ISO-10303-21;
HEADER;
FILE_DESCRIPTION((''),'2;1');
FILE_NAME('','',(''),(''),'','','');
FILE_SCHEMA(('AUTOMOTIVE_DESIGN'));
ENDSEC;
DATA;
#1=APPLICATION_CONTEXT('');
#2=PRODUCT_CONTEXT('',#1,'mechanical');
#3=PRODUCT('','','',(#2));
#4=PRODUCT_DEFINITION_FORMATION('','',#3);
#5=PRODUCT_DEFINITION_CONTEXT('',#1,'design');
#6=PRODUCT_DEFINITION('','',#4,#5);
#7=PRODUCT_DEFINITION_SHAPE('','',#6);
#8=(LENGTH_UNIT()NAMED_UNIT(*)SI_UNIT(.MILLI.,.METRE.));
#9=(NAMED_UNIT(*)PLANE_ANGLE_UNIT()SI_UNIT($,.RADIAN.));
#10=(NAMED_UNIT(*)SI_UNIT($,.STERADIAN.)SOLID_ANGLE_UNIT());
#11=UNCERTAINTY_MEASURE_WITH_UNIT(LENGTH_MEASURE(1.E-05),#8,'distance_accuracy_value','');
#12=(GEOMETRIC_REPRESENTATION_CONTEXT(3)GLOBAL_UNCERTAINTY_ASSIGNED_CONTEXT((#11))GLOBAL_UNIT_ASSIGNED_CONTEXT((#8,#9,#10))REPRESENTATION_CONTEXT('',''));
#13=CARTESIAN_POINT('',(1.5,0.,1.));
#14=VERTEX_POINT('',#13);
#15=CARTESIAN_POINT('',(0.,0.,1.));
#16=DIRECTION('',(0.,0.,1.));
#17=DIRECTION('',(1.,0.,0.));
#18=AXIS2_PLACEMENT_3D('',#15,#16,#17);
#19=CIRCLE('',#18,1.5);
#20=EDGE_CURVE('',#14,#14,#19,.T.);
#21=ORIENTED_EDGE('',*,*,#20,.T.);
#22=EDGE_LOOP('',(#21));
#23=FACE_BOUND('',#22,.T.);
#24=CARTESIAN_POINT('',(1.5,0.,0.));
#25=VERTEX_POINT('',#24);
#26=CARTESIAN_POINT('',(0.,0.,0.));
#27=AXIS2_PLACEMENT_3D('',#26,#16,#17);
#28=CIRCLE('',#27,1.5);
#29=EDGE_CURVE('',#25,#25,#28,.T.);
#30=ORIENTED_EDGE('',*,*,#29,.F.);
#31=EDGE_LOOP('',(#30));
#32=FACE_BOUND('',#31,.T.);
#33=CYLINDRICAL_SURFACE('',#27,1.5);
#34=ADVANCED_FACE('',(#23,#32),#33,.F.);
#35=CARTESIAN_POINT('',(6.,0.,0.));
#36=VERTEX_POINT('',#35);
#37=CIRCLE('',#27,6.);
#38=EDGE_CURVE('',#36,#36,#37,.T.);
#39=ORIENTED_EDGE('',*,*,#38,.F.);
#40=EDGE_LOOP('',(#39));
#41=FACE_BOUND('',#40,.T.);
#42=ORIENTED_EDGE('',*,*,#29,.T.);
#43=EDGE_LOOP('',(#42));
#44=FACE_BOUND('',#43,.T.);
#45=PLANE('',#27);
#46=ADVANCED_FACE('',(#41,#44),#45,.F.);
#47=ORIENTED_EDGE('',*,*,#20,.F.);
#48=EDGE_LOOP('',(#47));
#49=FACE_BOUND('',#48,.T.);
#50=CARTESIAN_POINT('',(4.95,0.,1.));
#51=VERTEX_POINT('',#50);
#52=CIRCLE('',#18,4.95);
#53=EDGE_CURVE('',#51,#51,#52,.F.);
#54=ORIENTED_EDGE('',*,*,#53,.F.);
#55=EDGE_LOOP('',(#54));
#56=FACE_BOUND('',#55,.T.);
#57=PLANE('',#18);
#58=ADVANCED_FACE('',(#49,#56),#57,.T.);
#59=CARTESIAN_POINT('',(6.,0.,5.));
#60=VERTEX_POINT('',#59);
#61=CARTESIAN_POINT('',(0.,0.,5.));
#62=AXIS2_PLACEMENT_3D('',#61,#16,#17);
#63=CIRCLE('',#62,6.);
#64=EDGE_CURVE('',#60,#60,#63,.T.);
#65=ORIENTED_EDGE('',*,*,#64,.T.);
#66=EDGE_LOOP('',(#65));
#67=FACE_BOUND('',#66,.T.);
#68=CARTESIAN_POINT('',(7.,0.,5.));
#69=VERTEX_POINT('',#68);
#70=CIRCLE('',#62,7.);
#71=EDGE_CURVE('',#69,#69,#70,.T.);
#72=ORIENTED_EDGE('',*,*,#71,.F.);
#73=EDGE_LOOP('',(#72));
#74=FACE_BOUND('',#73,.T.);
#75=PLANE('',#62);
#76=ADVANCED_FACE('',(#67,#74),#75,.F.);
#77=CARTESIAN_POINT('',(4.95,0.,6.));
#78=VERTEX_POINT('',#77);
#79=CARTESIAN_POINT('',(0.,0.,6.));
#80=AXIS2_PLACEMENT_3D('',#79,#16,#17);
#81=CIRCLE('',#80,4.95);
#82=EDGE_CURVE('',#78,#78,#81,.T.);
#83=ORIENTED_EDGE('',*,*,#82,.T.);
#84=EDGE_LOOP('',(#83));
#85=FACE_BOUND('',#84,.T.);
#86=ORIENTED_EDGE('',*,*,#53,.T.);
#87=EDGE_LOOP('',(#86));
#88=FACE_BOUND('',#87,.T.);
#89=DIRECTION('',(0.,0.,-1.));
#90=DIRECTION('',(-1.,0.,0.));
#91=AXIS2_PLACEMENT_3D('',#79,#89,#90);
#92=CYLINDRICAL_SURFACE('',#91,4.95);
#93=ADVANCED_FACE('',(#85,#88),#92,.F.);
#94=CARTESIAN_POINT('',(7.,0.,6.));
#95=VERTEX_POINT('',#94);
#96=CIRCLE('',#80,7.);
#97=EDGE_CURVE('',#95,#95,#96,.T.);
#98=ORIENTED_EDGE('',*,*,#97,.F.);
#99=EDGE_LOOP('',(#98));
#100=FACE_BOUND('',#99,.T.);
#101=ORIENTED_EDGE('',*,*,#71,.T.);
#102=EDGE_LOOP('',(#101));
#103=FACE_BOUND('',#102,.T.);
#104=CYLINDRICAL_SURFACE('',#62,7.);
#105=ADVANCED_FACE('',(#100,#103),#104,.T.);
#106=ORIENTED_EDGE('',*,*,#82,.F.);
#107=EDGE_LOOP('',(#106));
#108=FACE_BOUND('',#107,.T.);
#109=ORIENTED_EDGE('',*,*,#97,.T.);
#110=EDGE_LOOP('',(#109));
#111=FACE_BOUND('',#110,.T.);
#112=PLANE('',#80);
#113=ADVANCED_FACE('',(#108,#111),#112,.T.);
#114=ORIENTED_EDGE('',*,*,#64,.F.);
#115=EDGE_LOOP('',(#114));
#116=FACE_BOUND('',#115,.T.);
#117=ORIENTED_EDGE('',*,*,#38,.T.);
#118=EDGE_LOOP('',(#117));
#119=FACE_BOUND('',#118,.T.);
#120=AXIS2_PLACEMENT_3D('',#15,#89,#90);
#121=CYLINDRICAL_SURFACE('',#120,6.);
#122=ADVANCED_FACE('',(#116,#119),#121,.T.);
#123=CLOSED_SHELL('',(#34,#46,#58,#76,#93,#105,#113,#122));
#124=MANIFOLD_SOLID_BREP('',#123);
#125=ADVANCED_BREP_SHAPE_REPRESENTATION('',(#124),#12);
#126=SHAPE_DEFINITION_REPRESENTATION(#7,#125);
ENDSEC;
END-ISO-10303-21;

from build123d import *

# Parameters (mm, degrees)
SKETCH_1_R          = 6
EXTRUDE_1_DEPTH     = 1
SKETCH_2_R          = 6
SKETCH_2_R_2        = 4.95
EXTRUDE_2_DEPTH     = 5
SKETCH_3_R          = 7
EXTRUDE_3_DEPTH     = 1
CUT_EXTRUDE_START   = -5
SKETCH_5_R          = 4.95
CUT_EXTRUDE_1_DEPTH = 5
SKETCH_6_R          = 1.5
CUT_EXTRUDE_2_DEPTH = 1


with BuildPart() as part:
    # Эскиз1 → Бобышка-Вытянуть1 (new body)
    with BuildSketch(Plane.XY):
        Circle(SKETCH_1_R)
    extrude(amount=EXTRUDE_1_DEPTH)

    # Эскиз2 → Бобышка-Вытянуть2 (add)
    with BuildSketch(Plane.XY.offset(1)):
        Circle(SKETCH_2_R)
        Circle(SKETCH_2_R_2, mode=Mode.SUBTRACT)
    extrude(amount=EXTRUDE_2_DEPTH)

    # Эскиз3 → Бобышка-Вытянуть3 (add)
    with BuildSketch(Plane.XY.offset(6)):
        Circle(SKETCH_3_R)
    extrude(amount=-EXTRUDE_3_DEPTH)

    # Эскиз5 → Вырез-Вытянуть1 (cut)
    with BuildSketch(Plane.XY.offset(6).offset(CUT_EXTRUDE_START)):
        Circle(SKETCH_5_R)
    extrude(amount=CUT_EXTRUDE_1_DEPTH, mode=Mode.SUBTRACT)

    # Эскиз6 → Вырез-Вытянуть2 (cut)
    with BuildSketch(Plane.XY.offset(1)):
        Circle(SKETCH_6_R)
    extrude(amount=-CUT_EXTRUDE_2_DEPTH, mode=Mode.SUBTRACT)


solid = part.part
